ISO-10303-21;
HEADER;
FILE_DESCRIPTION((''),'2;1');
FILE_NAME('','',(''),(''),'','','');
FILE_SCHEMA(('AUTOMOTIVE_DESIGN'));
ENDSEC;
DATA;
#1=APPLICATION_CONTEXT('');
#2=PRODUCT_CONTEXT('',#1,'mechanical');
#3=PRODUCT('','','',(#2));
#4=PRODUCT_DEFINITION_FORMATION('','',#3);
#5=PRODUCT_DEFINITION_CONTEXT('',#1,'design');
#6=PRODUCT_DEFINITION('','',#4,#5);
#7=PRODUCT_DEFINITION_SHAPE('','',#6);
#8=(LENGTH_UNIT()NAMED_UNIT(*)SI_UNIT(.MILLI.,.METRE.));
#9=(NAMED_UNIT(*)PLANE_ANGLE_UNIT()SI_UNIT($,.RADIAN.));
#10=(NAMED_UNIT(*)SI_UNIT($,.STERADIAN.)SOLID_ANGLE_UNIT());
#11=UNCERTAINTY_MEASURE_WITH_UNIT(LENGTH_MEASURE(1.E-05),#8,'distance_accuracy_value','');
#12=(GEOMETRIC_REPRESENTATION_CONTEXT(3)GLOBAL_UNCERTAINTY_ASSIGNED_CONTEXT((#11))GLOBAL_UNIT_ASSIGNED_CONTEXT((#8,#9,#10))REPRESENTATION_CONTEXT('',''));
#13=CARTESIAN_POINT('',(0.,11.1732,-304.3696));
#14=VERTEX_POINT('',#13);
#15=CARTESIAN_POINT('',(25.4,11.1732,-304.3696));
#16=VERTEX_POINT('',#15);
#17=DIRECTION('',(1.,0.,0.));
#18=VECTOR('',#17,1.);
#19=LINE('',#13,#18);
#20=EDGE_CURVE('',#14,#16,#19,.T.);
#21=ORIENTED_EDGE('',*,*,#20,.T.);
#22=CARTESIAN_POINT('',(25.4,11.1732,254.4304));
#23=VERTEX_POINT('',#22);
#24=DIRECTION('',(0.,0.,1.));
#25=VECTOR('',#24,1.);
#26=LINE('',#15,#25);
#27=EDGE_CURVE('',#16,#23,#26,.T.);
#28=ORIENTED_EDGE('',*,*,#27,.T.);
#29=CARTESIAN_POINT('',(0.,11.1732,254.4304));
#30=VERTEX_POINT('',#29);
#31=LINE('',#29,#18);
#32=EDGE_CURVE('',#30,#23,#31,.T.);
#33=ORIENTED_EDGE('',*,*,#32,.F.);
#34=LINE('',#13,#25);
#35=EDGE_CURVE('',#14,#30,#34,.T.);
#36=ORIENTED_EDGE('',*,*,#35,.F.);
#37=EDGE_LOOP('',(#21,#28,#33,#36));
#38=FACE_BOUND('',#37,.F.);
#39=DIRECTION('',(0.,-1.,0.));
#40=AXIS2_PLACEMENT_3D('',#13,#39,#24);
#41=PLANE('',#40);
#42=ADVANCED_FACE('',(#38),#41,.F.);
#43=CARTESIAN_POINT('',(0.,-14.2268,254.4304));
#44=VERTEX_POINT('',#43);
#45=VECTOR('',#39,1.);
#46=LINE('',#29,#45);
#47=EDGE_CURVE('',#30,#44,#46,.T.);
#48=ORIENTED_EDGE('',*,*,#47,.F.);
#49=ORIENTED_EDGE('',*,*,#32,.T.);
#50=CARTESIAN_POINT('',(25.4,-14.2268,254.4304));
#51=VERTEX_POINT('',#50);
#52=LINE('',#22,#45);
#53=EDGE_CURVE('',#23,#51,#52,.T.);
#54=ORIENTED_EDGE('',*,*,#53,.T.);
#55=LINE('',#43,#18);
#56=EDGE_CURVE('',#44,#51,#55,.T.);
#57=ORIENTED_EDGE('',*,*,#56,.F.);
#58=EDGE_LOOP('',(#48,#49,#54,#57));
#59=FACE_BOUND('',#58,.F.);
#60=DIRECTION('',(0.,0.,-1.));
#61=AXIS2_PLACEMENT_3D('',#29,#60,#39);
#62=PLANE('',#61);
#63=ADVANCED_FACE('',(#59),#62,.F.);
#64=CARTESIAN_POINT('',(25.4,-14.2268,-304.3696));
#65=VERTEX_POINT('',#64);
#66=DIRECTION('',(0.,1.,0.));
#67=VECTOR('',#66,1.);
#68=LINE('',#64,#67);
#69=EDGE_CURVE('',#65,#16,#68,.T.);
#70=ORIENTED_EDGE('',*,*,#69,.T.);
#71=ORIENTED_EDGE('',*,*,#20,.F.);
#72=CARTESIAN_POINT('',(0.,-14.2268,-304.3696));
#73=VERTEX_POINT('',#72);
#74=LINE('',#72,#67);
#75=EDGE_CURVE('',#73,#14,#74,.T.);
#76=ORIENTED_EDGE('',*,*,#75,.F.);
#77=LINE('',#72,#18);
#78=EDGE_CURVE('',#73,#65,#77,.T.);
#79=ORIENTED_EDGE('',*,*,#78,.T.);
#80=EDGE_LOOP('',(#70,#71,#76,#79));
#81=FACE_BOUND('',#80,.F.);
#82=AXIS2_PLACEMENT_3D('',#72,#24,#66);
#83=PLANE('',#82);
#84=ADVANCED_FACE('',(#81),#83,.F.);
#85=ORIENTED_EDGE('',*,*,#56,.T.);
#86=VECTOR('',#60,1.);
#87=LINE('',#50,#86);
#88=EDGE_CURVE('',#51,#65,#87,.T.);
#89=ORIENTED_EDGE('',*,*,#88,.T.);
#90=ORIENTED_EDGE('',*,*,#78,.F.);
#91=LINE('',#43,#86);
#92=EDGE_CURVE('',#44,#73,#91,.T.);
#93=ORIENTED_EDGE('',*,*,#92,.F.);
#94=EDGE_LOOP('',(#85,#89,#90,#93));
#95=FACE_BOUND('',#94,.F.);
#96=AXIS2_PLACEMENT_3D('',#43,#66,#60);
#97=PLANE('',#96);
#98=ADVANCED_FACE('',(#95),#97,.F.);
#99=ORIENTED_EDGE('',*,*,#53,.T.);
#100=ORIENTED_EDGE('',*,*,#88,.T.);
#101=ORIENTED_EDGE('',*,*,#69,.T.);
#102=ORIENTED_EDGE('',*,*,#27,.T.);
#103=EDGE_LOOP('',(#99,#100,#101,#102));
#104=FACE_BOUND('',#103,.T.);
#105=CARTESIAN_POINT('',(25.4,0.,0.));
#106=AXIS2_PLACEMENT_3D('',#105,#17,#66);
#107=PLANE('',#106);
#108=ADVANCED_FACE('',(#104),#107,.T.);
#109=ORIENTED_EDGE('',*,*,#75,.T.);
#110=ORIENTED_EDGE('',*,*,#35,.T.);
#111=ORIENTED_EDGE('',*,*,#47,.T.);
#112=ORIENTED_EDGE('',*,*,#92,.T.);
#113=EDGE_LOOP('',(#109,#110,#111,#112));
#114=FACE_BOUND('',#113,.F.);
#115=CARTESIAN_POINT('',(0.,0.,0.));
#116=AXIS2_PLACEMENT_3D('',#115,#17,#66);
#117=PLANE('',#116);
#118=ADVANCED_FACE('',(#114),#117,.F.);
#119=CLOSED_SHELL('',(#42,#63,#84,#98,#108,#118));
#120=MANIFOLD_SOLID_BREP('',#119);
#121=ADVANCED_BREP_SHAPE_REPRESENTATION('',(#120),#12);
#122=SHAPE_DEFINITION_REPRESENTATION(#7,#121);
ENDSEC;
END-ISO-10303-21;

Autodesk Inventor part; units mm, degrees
ref_plane "YZ Plane" through (0, 0, 0) normal (1, 0, 0) x (0, 1, 0)
ref_plane "XZ Plane" through (0, 0, 0) normal (0, 1, 0) x (-1, 0, 0)
ref_plane "XY Plane" through (0, 0, 0) normal (0, 0, 1) x (1, 0, 0)
sketch "Sketch1" plane through (0, 0, 0) normal (1, 0, 0) x (0, 1, 0)
  line L0 (11.1732, 254.4304) -> (-14.2268, 254.4304)
  line L1 (-14.2268, 254.4304) -> (-14.2268, -304.3696)
  line L2 (-14.2268, -304.3696) -> (11.1732, -304.3696)
  line L3 (11.1732, -304.3696) -> (11.1732, 254.4304)
  point P0 (0, 0)
  dimension "d0" = 25.4
  dimension "d1" = 558.8
extrude "Extrusion1" add sketch "Sketch1" along normal blind 25.4
properties part number "Bottom Bumper"
